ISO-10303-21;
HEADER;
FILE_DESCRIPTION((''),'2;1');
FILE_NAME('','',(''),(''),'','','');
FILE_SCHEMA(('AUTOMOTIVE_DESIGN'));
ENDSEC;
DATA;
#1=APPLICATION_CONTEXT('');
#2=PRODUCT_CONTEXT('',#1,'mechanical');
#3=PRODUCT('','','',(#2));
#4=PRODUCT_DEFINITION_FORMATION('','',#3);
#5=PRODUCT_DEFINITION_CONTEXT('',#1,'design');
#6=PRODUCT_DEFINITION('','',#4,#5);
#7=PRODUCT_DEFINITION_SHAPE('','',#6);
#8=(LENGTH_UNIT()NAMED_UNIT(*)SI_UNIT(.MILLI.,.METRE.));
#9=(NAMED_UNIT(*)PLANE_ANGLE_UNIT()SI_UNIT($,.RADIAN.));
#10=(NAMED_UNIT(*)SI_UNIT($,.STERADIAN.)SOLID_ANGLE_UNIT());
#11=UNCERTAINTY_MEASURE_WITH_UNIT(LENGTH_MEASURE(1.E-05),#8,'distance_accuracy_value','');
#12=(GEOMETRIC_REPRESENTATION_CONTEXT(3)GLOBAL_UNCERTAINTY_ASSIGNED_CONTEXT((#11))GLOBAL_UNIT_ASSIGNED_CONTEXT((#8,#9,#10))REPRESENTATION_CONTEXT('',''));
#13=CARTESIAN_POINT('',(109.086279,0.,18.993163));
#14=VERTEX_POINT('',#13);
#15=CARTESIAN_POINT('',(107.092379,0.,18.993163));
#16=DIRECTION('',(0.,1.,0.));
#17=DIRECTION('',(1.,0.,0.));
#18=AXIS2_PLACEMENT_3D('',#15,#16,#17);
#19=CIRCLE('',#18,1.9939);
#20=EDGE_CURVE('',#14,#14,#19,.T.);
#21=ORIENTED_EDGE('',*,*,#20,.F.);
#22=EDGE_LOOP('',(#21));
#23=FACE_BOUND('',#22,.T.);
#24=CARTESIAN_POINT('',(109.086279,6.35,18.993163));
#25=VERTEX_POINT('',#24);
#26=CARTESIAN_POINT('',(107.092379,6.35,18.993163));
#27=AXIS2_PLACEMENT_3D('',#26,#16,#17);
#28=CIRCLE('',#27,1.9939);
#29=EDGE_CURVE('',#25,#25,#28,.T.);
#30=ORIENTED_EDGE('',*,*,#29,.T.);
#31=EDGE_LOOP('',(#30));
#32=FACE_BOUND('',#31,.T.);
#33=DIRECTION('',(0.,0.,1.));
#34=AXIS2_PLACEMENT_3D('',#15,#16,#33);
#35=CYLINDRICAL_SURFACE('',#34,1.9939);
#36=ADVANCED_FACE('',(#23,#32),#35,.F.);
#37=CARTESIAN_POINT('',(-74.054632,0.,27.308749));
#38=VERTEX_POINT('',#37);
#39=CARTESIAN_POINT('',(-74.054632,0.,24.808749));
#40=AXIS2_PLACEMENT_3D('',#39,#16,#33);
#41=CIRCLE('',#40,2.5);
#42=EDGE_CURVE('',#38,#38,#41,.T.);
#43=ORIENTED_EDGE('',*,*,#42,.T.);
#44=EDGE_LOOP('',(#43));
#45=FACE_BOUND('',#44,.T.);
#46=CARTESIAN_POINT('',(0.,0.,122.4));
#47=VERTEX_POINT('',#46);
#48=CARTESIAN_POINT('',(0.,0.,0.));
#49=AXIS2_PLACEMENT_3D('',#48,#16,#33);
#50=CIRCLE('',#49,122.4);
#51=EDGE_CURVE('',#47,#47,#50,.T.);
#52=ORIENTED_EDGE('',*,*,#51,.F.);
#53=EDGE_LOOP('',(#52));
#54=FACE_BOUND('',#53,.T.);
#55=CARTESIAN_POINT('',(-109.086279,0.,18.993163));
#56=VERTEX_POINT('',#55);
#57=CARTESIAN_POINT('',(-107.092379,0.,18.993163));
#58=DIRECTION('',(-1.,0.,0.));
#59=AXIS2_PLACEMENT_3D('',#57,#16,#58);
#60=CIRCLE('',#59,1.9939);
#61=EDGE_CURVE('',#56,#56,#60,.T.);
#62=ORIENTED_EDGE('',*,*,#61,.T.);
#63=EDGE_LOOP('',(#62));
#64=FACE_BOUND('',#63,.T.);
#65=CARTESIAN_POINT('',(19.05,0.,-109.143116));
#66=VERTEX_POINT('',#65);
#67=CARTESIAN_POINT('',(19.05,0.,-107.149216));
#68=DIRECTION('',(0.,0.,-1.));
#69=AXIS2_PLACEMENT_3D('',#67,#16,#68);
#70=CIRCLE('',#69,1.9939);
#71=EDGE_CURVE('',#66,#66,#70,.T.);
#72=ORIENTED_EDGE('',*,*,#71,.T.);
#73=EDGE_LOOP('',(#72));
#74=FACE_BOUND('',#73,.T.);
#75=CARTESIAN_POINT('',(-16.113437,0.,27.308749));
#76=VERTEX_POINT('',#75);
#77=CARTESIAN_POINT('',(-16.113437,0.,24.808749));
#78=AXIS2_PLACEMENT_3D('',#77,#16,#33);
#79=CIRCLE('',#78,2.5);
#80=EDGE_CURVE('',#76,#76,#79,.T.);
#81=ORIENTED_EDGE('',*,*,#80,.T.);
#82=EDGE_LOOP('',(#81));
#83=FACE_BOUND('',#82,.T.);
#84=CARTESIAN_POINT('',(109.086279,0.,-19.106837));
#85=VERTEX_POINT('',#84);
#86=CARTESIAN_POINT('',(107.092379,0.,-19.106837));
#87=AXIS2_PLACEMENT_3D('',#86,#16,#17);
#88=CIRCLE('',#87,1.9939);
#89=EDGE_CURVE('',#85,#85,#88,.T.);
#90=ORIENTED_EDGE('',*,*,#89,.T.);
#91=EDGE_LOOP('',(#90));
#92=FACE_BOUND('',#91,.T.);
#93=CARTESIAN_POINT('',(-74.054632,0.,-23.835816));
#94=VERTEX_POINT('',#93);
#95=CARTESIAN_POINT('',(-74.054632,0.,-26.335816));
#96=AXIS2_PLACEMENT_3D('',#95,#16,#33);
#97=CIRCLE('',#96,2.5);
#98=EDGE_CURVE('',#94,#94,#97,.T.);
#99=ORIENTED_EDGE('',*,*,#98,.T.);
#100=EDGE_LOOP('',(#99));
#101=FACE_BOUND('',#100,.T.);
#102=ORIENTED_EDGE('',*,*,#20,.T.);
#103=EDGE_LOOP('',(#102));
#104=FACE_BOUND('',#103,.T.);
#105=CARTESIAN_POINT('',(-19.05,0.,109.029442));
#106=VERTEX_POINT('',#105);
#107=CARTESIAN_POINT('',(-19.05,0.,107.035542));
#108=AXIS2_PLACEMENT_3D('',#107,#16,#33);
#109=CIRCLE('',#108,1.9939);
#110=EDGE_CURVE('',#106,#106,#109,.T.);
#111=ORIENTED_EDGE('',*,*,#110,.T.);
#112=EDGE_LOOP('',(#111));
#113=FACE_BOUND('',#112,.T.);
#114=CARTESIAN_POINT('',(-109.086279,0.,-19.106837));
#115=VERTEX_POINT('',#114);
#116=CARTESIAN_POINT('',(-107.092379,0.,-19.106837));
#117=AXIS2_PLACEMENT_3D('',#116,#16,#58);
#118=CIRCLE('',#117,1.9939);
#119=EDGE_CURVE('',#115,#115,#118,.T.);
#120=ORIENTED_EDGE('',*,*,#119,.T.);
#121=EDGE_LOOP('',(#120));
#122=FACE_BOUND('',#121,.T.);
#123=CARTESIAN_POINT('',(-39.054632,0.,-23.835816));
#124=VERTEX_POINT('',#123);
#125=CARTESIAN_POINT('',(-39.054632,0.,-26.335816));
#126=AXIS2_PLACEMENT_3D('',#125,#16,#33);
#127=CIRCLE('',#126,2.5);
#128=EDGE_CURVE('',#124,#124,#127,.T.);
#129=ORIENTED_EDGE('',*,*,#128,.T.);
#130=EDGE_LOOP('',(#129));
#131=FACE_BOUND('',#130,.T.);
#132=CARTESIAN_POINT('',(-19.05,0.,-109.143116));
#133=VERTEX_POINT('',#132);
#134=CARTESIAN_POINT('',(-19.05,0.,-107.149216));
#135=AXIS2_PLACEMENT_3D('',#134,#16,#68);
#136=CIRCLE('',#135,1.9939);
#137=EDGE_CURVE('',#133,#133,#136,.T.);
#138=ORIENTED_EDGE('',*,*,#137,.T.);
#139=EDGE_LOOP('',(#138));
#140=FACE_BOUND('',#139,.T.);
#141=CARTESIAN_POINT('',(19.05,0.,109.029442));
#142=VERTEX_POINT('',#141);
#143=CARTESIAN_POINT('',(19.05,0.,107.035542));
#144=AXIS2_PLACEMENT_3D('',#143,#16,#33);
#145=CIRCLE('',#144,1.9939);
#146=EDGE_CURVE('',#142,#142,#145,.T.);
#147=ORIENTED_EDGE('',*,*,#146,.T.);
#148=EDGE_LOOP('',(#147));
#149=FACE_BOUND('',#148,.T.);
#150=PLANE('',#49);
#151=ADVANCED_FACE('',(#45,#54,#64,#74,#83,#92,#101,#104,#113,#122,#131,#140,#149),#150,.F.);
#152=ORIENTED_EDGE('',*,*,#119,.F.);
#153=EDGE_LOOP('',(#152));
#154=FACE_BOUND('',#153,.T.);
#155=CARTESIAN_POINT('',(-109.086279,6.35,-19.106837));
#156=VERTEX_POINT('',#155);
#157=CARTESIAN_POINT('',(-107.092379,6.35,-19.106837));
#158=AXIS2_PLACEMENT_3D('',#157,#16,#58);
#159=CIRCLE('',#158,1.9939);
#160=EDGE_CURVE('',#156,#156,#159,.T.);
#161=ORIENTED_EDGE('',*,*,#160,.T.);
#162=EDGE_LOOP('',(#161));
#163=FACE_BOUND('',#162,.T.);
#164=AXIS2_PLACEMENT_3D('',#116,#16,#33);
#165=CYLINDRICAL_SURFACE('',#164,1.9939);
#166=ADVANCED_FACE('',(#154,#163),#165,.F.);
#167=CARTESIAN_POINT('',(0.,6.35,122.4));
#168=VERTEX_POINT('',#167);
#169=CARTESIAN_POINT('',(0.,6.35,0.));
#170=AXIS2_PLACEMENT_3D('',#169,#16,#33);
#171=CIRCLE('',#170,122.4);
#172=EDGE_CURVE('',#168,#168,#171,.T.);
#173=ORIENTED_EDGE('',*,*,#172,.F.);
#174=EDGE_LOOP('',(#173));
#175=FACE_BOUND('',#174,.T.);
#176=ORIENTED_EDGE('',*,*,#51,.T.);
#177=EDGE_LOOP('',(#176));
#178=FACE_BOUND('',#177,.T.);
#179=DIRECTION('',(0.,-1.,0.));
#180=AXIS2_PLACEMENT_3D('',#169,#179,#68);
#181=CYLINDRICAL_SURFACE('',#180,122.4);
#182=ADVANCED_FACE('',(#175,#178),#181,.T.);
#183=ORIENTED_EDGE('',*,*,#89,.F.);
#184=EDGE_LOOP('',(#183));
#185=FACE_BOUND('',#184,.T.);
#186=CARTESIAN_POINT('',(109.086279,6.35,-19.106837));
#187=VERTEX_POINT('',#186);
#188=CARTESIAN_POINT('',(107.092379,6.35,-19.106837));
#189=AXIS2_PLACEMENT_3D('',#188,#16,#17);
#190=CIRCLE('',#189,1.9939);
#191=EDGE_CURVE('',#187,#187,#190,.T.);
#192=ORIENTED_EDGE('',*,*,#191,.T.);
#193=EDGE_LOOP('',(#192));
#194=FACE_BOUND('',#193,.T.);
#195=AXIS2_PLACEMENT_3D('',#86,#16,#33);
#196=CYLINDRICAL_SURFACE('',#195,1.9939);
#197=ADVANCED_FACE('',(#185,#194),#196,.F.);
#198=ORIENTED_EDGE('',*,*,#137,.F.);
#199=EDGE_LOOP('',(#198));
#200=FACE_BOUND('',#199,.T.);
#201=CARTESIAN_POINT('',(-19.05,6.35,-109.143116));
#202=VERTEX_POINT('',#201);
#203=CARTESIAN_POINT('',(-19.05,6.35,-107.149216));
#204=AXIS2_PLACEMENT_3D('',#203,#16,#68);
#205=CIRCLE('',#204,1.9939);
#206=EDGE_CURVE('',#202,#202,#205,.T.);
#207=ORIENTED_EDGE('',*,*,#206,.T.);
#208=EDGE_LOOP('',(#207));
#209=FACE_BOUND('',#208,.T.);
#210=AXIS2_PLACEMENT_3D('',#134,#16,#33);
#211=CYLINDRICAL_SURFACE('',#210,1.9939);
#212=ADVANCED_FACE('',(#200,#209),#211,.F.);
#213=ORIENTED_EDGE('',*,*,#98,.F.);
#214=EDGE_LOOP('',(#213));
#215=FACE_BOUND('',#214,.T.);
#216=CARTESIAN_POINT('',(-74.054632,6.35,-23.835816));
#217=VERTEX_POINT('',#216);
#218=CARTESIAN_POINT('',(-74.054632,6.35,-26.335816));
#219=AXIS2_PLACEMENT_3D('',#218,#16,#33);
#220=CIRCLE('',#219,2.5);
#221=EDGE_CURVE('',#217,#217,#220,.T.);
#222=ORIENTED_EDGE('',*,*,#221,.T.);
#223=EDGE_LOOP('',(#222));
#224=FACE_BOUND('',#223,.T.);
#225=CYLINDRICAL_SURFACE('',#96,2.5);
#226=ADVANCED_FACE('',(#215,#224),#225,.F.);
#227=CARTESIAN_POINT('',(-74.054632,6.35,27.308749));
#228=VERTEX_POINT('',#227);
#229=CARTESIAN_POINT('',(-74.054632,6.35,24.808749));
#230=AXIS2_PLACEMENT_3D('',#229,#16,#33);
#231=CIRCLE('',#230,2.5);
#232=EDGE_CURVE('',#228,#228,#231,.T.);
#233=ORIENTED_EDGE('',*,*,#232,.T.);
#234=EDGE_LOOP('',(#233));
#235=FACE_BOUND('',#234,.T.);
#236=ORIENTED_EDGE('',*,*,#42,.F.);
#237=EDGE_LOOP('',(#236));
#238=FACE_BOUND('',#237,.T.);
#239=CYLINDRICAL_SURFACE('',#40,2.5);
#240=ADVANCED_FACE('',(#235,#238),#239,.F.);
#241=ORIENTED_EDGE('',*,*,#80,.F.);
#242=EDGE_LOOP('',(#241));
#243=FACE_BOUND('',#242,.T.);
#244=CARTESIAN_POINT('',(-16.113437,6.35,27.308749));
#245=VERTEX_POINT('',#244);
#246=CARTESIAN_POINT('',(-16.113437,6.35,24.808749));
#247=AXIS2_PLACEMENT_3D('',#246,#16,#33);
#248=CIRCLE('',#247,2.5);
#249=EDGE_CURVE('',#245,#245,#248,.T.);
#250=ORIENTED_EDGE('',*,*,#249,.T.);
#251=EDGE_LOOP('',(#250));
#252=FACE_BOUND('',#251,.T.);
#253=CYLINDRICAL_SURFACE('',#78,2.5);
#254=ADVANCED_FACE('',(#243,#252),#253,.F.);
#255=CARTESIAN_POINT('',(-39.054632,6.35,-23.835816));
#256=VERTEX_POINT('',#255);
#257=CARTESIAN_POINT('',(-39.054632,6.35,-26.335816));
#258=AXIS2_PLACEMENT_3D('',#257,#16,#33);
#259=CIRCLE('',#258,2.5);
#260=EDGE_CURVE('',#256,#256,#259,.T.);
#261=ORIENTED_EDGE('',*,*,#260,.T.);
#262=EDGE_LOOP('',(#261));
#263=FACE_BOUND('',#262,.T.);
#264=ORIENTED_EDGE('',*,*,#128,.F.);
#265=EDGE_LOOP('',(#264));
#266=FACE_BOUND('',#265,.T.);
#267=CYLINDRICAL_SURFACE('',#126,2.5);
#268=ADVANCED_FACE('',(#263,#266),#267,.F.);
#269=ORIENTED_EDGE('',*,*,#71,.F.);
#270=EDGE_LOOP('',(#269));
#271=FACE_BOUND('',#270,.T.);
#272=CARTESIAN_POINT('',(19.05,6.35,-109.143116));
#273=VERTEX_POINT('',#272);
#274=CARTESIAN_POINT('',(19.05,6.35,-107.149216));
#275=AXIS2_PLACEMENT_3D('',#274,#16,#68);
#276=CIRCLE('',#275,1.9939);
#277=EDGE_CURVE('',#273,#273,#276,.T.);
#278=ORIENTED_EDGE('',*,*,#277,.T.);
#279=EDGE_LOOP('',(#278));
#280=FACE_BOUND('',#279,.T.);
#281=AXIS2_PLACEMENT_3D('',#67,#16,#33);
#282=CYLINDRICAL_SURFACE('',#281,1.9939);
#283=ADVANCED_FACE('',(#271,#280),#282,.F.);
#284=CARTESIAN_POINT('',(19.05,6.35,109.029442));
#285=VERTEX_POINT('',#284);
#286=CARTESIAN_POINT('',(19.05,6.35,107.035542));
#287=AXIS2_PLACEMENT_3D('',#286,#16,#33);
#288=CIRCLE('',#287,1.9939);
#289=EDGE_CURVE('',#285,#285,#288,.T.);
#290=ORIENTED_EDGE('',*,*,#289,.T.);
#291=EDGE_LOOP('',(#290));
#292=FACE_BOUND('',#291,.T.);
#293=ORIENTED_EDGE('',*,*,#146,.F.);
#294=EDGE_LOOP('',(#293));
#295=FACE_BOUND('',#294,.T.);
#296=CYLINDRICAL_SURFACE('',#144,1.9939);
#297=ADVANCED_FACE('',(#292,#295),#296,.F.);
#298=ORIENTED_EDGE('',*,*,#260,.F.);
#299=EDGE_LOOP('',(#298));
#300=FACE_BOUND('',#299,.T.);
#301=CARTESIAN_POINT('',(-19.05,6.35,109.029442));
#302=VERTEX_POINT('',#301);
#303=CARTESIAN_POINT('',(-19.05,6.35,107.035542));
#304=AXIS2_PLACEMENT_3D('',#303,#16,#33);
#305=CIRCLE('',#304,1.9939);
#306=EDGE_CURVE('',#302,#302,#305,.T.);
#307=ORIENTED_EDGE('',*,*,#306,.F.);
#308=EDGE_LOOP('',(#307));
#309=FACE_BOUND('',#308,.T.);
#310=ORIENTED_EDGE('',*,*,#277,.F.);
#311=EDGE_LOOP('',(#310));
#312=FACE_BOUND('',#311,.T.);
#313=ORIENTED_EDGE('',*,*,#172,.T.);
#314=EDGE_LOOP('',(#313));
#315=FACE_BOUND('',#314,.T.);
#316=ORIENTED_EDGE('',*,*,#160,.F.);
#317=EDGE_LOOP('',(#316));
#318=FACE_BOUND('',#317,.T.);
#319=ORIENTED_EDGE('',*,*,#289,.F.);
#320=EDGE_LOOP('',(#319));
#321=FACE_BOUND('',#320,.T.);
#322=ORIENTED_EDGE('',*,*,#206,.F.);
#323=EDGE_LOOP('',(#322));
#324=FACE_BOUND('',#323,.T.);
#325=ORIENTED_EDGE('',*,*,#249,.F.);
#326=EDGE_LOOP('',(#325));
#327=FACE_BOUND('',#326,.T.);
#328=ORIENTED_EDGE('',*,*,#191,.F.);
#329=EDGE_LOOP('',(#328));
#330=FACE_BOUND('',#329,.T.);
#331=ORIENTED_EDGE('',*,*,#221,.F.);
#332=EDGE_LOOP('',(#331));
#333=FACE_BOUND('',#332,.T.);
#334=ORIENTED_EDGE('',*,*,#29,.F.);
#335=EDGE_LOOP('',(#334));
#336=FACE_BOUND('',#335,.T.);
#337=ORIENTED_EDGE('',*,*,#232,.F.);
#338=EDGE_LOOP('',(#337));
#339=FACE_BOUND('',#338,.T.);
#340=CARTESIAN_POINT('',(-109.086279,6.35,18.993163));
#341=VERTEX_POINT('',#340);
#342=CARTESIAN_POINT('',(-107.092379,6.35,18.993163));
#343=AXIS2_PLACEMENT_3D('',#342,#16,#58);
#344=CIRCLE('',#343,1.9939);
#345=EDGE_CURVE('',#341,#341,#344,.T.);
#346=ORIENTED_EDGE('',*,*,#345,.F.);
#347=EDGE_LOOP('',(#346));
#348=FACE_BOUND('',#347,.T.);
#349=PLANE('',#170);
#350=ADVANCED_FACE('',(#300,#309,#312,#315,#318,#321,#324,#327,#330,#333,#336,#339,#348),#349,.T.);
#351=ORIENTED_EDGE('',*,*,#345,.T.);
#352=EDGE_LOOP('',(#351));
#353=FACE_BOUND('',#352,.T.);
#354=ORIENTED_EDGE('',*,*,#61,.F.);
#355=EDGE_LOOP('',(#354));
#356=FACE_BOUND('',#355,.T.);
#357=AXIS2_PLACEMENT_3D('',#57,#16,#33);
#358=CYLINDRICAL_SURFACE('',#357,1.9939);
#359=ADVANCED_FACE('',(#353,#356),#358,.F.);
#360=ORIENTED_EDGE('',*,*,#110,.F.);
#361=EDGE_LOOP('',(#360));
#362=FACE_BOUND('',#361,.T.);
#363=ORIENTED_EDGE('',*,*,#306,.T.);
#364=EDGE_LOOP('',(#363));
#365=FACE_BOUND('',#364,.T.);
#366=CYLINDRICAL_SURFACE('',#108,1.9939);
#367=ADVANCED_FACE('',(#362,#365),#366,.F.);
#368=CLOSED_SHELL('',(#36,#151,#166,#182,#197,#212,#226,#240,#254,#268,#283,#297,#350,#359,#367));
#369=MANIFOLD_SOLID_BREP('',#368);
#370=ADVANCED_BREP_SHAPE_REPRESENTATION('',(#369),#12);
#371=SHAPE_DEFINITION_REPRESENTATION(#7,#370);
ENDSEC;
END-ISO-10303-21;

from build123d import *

# Parameters (mm, degrees)
SKETCH1_R           = 122.4
BOSS_EXTRUDE1_DEPTH = 6.35
SKETCH2_R           = 1.9939
CUT_EXTRUDE1_DEPTH  = 174.216172744
CIRPATTERN1_COUNT   = 4
SKETCH3_R           = 2.5
CUT_EXTRUDE3_DEPTH  = 174.216172744


with BuildPart() as part:
    # Sketch1 → Boss-Extrude1 (new body)
    with BuildSketch(Plane(origin=(0, 0, 0), x_dir=(1, 0, 0), z_dir=(0, 1, 0))):
        with Locations(Location((0, 0, 0), (0, 0, 270))):
            Circle(SKETCH1_R)
    extrude(amount=BOSS_EXTRUDE1_DEPTH)

    # Sketch2 → Cut-Extrude1 (cut, through all)
    with BuildSketch(Plane(origin=(0, 6.35, 0), x_dir=(1, 0, 0), z_dir=(0, 1, 0))):
        with Locations(Location((-19.05, -107.035541925, 0), (0, 0, 270))):
            Circle(SKETCH2_R)
        with Locations(Location((19.05, -107.035541925, 0), (0, 0, 270))):
            Circle(SKETCH2_R)
    cut_extrude1 = extrude(amount=-CUT_EXTRUDE1_DEPTH, mode=Mode.SUBTRACT)

    # CirPattern1: Cut-Extrude1 ×4 about axis
    cirpattern1_axis = Axis((0, 0, -0.056837174), (0, 1, 0))
    for i in range(1, CIRPATTERN1_COUNT):
        add(cut_extrude1.rotate(cirpattern1_axis, i * 360 / CIRPATTERN1_COUNT), mode=Mode.SUBTRACT)

    # Sketch3 → Cut-Extrude3 (cut, through all)
    with BuildSketch(Plane(origin=(0, 6.35, 0), x_dir=(1, 0, 0), z_dir=(0, 1, 0))):
        with Locations(Location((-74.054631747, 26.335816411, 0), (0, 0, 270))):
            Circle(SKETCH3_R)
        with Locations(Location((-39.054631747, 26.335816411, 0), (0, 0, 270))):
            Circle(SKETCH3_R)
        with Locations(Location((-16.113436886, -24.808749019, 0), (0, 0, 270))):
            Circle(SKETCH3_R)
        with Locations(Location((-74.054631747, -24.808749019, 0), (0, 0, 270))):
            Circle(SKETCH3_R)
    extrude(amount=-CUT_EXTRUDE3_DEPTH, mode=Mode.SUBTRACT)


solid = part.part
